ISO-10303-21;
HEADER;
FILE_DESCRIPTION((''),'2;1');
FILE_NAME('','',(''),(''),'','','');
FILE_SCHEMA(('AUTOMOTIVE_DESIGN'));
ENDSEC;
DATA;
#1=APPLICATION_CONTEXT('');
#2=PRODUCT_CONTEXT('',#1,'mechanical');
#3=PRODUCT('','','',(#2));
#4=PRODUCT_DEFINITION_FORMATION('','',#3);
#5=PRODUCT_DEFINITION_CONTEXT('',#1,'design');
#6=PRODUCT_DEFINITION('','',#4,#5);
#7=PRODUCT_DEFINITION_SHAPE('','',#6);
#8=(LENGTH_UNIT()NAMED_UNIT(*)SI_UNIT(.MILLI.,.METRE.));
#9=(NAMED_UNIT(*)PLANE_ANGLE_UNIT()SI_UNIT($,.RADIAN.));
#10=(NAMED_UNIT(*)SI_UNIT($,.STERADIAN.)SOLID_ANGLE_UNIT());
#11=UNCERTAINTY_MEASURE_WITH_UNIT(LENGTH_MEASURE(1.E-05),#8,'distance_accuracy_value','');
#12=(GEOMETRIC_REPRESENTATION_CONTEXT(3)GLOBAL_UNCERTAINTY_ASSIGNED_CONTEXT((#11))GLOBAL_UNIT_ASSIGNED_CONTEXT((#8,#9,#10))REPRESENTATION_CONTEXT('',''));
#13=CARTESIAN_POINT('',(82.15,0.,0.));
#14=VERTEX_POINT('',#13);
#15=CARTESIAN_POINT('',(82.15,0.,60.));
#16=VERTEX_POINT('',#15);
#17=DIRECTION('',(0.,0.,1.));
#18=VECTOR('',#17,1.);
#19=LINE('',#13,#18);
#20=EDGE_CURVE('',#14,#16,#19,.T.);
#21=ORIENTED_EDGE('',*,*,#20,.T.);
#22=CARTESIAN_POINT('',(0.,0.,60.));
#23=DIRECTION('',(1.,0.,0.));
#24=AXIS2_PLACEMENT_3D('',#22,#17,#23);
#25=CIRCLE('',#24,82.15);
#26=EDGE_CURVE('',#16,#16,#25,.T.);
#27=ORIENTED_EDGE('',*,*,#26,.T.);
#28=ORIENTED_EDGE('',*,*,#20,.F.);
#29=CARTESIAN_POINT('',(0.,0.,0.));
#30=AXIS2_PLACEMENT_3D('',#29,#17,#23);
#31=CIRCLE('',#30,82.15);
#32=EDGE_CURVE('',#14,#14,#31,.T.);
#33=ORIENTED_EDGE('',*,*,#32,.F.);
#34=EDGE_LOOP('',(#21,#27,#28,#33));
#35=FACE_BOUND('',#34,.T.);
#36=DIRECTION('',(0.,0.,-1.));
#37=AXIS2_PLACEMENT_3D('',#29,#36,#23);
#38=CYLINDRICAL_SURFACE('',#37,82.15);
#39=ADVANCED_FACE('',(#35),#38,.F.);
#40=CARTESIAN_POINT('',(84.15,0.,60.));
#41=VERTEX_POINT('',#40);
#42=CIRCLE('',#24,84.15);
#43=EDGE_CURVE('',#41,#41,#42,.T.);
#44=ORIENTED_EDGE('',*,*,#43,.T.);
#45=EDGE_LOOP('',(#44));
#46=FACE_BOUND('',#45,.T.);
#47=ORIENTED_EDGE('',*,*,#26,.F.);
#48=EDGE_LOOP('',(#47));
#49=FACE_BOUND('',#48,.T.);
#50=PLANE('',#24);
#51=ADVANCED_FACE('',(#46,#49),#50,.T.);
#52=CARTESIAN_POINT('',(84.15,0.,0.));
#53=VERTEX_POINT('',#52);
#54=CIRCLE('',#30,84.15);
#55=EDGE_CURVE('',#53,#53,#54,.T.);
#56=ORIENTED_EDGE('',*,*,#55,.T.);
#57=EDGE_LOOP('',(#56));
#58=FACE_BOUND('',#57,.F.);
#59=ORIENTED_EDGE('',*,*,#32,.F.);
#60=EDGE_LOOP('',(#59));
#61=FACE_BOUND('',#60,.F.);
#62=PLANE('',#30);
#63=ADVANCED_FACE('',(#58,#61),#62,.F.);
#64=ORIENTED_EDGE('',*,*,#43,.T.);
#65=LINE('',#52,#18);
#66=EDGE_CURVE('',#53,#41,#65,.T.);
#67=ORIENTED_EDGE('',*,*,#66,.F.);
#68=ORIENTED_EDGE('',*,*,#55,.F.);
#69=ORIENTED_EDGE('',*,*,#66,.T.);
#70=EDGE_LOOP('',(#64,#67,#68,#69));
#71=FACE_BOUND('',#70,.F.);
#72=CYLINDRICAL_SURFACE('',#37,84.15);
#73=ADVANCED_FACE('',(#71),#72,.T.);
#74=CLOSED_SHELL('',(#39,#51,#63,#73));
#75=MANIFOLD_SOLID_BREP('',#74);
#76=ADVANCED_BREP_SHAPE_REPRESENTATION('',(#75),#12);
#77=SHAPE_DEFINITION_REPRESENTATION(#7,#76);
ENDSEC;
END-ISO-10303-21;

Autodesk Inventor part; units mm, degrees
ref_plane "YZ Plane" through (0, 0, 0) normal (1, 0, 0) x (0, 1, 0)
ref_plane "XZ Plane" through (0, 0, 0) normal (0, 1, 0) x (-1, 0, 0)
ref_plane "XY Plane" through (0, 0, 0) normal (0, 0, 1) x (1, 0, 0)
sketch "Sketch1" plane through (0, 0, 0) normal (0, 0, 1) x (1, 0, 0)
  circle A0 centre (0, 0) radius 84.15
  circle A1 centre (0, 0) radius 82.15
  dimension "d0" = 168.3
  dimension "d1" = 2
extrude "Extrusion1" add sketch "Sketch1" along normal blind 60
